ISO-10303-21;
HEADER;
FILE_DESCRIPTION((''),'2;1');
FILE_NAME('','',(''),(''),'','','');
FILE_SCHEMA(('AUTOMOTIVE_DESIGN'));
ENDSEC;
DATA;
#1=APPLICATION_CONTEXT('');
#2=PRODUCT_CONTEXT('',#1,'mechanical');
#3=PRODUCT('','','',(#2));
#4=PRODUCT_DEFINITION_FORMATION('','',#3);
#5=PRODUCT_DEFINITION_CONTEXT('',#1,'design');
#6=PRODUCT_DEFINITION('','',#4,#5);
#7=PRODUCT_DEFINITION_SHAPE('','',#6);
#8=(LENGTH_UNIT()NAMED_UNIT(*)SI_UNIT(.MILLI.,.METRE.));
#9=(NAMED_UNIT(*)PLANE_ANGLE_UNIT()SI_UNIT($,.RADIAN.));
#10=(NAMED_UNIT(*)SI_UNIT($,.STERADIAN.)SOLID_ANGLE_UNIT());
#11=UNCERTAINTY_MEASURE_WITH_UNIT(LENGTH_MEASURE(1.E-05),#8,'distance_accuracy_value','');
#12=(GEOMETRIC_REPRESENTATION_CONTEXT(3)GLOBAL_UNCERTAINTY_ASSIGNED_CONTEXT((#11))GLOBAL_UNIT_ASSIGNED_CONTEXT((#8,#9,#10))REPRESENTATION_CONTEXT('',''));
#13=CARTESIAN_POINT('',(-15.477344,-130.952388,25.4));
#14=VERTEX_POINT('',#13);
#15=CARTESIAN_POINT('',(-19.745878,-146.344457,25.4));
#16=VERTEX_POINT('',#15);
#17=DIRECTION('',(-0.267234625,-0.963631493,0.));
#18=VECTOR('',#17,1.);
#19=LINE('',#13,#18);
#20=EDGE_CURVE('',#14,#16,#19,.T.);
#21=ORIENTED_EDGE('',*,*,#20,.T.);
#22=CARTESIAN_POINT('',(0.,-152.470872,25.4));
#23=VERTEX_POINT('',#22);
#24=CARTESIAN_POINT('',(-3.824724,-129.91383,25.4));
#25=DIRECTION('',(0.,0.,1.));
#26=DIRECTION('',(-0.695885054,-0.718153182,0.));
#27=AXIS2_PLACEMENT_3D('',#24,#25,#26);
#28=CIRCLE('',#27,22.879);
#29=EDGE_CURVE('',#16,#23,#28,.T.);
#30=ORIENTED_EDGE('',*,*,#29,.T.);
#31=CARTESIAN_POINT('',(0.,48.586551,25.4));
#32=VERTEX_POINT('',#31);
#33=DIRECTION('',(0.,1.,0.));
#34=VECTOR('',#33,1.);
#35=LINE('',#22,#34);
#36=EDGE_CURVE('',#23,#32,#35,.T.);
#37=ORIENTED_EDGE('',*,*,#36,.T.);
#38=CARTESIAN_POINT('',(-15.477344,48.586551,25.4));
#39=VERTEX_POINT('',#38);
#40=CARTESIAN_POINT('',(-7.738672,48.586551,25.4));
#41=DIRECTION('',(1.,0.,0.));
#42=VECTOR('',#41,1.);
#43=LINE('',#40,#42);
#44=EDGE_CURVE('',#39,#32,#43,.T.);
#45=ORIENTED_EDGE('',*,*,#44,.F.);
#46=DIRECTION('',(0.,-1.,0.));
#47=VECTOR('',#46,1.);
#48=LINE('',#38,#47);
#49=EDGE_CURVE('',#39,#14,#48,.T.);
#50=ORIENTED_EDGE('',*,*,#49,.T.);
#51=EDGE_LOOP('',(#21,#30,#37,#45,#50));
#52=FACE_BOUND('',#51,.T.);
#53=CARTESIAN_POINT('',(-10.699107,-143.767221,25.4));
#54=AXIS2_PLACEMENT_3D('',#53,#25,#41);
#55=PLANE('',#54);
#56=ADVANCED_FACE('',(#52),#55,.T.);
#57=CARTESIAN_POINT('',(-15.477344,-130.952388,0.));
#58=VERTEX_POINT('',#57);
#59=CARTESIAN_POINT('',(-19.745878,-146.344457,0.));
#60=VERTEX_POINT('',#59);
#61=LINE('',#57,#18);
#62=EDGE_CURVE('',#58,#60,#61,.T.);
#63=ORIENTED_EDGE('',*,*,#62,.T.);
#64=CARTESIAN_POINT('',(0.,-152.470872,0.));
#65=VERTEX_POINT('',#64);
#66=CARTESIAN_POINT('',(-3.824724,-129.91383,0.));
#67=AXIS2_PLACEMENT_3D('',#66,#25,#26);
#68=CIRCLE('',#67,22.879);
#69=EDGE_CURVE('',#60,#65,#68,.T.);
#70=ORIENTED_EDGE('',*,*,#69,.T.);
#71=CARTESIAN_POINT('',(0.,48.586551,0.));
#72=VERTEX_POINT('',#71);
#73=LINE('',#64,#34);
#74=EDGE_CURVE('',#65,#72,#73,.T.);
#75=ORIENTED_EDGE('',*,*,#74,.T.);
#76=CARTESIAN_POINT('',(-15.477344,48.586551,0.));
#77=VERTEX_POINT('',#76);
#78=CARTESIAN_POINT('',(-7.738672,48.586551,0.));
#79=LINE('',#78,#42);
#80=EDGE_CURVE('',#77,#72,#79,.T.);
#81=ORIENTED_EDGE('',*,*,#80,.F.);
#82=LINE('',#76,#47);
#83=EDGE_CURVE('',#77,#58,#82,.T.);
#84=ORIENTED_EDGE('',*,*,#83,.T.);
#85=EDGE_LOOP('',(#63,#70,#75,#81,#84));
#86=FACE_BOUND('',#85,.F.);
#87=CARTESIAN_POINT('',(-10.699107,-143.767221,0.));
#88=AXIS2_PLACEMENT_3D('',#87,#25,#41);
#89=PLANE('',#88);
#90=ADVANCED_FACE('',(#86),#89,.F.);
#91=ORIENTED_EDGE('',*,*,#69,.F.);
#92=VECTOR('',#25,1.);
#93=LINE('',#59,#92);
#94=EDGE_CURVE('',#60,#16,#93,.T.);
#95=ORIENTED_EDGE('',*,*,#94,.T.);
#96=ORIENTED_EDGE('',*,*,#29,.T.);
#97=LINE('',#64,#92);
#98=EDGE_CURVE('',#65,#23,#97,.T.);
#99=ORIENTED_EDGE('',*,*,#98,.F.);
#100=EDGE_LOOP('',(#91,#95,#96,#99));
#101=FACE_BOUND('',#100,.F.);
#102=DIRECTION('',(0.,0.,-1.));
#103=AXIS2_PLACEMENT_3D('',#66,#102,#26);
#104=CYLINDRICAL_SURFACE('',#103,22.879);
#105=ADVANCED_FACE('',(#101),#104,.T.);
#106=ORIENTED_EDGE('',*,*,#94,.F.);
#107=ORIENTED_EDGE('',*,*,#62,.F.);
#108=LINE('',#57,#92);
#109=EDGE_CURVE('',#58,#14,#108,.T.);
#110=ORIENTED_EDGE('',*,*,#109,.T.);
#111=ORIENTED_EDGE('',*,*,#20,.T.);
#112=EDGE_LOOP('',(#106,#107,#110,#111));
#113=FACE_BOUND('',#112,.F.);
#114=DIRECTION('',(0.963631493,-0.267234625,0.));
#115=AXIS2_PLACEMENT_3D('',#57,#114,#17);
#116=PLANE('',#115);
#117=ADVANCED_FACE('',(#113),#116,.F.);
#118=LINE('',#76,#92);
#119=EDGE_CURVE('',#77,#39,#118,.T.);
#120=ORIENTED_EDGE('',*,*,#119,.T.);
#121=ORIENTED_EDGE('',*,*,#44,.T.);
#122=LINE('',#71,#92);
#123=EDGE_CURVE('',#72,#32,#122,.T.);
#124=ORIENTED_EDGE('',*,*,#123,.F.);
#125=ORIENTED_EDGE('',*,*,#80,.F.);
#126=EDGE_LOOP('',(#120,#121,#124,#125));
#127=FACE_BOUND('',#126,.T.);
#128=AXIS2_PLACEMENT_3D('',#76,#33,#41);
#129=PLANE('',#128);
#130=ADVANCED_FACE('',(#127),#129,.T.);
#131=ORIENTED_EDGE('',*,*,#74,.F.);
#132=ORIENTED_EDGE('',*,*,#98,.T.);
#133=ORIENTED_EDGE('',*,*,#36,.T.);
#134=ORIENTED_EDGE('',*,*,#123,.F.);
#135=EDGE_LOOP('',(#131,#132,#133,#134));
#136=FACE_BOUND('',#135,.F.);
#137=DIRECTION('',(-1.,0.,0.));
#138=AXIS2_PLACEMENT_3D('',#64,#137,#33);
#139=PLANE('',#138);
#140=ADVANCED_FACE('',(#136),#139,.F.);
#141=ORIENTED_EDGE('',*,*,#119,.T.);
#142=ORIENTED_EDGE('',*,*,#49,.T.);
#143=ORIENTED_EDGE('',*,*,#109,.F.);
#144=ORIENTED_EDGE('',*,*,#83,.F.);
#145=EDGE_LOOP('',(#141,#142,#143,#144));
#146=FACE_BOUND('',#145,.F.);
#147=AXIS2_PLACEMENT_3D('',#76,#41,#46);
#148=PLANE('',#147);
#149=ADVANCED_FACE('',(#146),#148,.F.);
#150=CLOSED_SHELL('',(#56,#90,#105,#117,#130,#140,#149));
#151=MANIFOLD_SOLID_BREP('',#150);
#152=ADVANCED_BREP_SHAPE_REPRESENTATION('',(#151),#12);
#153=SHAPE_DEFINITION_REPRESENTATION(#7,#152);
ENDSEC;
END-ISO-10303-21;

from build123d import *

# Parameters (mm, degrees)
F0_W     = 15.477344
F0_H     = 72.370944
F1_DEPTH = 25.4


with BuildPart() as f1:
    # F0 (on Top) → F1 (new body)
    with BuildSketch(Plane.XY):
        with BuildLine():
            Line((-15.477344, -142.19746), (-15.477344, -130.952388))
            Line((-15.477344, -130.952388), (-19.745878, -146.344457))
            ThreePointArc((-19.745878, -146.344457), (-10.60441, -151.765249), (0, -152.470872))
            Line((0, -152.470872), (0, -142.19746))
            Line((0, -142.19746), (-15.477344, -142.19746))
        make_face()
        Polygon((0, -23.784393), (-15.477344, -23.784393), (-15.477344, -130.952388), (-15.477344, -142.19746), (0, -142.19746), align=None)
        with Locations((-7.738672, 12.401079)):
            Rectangle(F0_W, F0_H)
    extrude(amount=F1_DEPTH)


solid = f1.part
